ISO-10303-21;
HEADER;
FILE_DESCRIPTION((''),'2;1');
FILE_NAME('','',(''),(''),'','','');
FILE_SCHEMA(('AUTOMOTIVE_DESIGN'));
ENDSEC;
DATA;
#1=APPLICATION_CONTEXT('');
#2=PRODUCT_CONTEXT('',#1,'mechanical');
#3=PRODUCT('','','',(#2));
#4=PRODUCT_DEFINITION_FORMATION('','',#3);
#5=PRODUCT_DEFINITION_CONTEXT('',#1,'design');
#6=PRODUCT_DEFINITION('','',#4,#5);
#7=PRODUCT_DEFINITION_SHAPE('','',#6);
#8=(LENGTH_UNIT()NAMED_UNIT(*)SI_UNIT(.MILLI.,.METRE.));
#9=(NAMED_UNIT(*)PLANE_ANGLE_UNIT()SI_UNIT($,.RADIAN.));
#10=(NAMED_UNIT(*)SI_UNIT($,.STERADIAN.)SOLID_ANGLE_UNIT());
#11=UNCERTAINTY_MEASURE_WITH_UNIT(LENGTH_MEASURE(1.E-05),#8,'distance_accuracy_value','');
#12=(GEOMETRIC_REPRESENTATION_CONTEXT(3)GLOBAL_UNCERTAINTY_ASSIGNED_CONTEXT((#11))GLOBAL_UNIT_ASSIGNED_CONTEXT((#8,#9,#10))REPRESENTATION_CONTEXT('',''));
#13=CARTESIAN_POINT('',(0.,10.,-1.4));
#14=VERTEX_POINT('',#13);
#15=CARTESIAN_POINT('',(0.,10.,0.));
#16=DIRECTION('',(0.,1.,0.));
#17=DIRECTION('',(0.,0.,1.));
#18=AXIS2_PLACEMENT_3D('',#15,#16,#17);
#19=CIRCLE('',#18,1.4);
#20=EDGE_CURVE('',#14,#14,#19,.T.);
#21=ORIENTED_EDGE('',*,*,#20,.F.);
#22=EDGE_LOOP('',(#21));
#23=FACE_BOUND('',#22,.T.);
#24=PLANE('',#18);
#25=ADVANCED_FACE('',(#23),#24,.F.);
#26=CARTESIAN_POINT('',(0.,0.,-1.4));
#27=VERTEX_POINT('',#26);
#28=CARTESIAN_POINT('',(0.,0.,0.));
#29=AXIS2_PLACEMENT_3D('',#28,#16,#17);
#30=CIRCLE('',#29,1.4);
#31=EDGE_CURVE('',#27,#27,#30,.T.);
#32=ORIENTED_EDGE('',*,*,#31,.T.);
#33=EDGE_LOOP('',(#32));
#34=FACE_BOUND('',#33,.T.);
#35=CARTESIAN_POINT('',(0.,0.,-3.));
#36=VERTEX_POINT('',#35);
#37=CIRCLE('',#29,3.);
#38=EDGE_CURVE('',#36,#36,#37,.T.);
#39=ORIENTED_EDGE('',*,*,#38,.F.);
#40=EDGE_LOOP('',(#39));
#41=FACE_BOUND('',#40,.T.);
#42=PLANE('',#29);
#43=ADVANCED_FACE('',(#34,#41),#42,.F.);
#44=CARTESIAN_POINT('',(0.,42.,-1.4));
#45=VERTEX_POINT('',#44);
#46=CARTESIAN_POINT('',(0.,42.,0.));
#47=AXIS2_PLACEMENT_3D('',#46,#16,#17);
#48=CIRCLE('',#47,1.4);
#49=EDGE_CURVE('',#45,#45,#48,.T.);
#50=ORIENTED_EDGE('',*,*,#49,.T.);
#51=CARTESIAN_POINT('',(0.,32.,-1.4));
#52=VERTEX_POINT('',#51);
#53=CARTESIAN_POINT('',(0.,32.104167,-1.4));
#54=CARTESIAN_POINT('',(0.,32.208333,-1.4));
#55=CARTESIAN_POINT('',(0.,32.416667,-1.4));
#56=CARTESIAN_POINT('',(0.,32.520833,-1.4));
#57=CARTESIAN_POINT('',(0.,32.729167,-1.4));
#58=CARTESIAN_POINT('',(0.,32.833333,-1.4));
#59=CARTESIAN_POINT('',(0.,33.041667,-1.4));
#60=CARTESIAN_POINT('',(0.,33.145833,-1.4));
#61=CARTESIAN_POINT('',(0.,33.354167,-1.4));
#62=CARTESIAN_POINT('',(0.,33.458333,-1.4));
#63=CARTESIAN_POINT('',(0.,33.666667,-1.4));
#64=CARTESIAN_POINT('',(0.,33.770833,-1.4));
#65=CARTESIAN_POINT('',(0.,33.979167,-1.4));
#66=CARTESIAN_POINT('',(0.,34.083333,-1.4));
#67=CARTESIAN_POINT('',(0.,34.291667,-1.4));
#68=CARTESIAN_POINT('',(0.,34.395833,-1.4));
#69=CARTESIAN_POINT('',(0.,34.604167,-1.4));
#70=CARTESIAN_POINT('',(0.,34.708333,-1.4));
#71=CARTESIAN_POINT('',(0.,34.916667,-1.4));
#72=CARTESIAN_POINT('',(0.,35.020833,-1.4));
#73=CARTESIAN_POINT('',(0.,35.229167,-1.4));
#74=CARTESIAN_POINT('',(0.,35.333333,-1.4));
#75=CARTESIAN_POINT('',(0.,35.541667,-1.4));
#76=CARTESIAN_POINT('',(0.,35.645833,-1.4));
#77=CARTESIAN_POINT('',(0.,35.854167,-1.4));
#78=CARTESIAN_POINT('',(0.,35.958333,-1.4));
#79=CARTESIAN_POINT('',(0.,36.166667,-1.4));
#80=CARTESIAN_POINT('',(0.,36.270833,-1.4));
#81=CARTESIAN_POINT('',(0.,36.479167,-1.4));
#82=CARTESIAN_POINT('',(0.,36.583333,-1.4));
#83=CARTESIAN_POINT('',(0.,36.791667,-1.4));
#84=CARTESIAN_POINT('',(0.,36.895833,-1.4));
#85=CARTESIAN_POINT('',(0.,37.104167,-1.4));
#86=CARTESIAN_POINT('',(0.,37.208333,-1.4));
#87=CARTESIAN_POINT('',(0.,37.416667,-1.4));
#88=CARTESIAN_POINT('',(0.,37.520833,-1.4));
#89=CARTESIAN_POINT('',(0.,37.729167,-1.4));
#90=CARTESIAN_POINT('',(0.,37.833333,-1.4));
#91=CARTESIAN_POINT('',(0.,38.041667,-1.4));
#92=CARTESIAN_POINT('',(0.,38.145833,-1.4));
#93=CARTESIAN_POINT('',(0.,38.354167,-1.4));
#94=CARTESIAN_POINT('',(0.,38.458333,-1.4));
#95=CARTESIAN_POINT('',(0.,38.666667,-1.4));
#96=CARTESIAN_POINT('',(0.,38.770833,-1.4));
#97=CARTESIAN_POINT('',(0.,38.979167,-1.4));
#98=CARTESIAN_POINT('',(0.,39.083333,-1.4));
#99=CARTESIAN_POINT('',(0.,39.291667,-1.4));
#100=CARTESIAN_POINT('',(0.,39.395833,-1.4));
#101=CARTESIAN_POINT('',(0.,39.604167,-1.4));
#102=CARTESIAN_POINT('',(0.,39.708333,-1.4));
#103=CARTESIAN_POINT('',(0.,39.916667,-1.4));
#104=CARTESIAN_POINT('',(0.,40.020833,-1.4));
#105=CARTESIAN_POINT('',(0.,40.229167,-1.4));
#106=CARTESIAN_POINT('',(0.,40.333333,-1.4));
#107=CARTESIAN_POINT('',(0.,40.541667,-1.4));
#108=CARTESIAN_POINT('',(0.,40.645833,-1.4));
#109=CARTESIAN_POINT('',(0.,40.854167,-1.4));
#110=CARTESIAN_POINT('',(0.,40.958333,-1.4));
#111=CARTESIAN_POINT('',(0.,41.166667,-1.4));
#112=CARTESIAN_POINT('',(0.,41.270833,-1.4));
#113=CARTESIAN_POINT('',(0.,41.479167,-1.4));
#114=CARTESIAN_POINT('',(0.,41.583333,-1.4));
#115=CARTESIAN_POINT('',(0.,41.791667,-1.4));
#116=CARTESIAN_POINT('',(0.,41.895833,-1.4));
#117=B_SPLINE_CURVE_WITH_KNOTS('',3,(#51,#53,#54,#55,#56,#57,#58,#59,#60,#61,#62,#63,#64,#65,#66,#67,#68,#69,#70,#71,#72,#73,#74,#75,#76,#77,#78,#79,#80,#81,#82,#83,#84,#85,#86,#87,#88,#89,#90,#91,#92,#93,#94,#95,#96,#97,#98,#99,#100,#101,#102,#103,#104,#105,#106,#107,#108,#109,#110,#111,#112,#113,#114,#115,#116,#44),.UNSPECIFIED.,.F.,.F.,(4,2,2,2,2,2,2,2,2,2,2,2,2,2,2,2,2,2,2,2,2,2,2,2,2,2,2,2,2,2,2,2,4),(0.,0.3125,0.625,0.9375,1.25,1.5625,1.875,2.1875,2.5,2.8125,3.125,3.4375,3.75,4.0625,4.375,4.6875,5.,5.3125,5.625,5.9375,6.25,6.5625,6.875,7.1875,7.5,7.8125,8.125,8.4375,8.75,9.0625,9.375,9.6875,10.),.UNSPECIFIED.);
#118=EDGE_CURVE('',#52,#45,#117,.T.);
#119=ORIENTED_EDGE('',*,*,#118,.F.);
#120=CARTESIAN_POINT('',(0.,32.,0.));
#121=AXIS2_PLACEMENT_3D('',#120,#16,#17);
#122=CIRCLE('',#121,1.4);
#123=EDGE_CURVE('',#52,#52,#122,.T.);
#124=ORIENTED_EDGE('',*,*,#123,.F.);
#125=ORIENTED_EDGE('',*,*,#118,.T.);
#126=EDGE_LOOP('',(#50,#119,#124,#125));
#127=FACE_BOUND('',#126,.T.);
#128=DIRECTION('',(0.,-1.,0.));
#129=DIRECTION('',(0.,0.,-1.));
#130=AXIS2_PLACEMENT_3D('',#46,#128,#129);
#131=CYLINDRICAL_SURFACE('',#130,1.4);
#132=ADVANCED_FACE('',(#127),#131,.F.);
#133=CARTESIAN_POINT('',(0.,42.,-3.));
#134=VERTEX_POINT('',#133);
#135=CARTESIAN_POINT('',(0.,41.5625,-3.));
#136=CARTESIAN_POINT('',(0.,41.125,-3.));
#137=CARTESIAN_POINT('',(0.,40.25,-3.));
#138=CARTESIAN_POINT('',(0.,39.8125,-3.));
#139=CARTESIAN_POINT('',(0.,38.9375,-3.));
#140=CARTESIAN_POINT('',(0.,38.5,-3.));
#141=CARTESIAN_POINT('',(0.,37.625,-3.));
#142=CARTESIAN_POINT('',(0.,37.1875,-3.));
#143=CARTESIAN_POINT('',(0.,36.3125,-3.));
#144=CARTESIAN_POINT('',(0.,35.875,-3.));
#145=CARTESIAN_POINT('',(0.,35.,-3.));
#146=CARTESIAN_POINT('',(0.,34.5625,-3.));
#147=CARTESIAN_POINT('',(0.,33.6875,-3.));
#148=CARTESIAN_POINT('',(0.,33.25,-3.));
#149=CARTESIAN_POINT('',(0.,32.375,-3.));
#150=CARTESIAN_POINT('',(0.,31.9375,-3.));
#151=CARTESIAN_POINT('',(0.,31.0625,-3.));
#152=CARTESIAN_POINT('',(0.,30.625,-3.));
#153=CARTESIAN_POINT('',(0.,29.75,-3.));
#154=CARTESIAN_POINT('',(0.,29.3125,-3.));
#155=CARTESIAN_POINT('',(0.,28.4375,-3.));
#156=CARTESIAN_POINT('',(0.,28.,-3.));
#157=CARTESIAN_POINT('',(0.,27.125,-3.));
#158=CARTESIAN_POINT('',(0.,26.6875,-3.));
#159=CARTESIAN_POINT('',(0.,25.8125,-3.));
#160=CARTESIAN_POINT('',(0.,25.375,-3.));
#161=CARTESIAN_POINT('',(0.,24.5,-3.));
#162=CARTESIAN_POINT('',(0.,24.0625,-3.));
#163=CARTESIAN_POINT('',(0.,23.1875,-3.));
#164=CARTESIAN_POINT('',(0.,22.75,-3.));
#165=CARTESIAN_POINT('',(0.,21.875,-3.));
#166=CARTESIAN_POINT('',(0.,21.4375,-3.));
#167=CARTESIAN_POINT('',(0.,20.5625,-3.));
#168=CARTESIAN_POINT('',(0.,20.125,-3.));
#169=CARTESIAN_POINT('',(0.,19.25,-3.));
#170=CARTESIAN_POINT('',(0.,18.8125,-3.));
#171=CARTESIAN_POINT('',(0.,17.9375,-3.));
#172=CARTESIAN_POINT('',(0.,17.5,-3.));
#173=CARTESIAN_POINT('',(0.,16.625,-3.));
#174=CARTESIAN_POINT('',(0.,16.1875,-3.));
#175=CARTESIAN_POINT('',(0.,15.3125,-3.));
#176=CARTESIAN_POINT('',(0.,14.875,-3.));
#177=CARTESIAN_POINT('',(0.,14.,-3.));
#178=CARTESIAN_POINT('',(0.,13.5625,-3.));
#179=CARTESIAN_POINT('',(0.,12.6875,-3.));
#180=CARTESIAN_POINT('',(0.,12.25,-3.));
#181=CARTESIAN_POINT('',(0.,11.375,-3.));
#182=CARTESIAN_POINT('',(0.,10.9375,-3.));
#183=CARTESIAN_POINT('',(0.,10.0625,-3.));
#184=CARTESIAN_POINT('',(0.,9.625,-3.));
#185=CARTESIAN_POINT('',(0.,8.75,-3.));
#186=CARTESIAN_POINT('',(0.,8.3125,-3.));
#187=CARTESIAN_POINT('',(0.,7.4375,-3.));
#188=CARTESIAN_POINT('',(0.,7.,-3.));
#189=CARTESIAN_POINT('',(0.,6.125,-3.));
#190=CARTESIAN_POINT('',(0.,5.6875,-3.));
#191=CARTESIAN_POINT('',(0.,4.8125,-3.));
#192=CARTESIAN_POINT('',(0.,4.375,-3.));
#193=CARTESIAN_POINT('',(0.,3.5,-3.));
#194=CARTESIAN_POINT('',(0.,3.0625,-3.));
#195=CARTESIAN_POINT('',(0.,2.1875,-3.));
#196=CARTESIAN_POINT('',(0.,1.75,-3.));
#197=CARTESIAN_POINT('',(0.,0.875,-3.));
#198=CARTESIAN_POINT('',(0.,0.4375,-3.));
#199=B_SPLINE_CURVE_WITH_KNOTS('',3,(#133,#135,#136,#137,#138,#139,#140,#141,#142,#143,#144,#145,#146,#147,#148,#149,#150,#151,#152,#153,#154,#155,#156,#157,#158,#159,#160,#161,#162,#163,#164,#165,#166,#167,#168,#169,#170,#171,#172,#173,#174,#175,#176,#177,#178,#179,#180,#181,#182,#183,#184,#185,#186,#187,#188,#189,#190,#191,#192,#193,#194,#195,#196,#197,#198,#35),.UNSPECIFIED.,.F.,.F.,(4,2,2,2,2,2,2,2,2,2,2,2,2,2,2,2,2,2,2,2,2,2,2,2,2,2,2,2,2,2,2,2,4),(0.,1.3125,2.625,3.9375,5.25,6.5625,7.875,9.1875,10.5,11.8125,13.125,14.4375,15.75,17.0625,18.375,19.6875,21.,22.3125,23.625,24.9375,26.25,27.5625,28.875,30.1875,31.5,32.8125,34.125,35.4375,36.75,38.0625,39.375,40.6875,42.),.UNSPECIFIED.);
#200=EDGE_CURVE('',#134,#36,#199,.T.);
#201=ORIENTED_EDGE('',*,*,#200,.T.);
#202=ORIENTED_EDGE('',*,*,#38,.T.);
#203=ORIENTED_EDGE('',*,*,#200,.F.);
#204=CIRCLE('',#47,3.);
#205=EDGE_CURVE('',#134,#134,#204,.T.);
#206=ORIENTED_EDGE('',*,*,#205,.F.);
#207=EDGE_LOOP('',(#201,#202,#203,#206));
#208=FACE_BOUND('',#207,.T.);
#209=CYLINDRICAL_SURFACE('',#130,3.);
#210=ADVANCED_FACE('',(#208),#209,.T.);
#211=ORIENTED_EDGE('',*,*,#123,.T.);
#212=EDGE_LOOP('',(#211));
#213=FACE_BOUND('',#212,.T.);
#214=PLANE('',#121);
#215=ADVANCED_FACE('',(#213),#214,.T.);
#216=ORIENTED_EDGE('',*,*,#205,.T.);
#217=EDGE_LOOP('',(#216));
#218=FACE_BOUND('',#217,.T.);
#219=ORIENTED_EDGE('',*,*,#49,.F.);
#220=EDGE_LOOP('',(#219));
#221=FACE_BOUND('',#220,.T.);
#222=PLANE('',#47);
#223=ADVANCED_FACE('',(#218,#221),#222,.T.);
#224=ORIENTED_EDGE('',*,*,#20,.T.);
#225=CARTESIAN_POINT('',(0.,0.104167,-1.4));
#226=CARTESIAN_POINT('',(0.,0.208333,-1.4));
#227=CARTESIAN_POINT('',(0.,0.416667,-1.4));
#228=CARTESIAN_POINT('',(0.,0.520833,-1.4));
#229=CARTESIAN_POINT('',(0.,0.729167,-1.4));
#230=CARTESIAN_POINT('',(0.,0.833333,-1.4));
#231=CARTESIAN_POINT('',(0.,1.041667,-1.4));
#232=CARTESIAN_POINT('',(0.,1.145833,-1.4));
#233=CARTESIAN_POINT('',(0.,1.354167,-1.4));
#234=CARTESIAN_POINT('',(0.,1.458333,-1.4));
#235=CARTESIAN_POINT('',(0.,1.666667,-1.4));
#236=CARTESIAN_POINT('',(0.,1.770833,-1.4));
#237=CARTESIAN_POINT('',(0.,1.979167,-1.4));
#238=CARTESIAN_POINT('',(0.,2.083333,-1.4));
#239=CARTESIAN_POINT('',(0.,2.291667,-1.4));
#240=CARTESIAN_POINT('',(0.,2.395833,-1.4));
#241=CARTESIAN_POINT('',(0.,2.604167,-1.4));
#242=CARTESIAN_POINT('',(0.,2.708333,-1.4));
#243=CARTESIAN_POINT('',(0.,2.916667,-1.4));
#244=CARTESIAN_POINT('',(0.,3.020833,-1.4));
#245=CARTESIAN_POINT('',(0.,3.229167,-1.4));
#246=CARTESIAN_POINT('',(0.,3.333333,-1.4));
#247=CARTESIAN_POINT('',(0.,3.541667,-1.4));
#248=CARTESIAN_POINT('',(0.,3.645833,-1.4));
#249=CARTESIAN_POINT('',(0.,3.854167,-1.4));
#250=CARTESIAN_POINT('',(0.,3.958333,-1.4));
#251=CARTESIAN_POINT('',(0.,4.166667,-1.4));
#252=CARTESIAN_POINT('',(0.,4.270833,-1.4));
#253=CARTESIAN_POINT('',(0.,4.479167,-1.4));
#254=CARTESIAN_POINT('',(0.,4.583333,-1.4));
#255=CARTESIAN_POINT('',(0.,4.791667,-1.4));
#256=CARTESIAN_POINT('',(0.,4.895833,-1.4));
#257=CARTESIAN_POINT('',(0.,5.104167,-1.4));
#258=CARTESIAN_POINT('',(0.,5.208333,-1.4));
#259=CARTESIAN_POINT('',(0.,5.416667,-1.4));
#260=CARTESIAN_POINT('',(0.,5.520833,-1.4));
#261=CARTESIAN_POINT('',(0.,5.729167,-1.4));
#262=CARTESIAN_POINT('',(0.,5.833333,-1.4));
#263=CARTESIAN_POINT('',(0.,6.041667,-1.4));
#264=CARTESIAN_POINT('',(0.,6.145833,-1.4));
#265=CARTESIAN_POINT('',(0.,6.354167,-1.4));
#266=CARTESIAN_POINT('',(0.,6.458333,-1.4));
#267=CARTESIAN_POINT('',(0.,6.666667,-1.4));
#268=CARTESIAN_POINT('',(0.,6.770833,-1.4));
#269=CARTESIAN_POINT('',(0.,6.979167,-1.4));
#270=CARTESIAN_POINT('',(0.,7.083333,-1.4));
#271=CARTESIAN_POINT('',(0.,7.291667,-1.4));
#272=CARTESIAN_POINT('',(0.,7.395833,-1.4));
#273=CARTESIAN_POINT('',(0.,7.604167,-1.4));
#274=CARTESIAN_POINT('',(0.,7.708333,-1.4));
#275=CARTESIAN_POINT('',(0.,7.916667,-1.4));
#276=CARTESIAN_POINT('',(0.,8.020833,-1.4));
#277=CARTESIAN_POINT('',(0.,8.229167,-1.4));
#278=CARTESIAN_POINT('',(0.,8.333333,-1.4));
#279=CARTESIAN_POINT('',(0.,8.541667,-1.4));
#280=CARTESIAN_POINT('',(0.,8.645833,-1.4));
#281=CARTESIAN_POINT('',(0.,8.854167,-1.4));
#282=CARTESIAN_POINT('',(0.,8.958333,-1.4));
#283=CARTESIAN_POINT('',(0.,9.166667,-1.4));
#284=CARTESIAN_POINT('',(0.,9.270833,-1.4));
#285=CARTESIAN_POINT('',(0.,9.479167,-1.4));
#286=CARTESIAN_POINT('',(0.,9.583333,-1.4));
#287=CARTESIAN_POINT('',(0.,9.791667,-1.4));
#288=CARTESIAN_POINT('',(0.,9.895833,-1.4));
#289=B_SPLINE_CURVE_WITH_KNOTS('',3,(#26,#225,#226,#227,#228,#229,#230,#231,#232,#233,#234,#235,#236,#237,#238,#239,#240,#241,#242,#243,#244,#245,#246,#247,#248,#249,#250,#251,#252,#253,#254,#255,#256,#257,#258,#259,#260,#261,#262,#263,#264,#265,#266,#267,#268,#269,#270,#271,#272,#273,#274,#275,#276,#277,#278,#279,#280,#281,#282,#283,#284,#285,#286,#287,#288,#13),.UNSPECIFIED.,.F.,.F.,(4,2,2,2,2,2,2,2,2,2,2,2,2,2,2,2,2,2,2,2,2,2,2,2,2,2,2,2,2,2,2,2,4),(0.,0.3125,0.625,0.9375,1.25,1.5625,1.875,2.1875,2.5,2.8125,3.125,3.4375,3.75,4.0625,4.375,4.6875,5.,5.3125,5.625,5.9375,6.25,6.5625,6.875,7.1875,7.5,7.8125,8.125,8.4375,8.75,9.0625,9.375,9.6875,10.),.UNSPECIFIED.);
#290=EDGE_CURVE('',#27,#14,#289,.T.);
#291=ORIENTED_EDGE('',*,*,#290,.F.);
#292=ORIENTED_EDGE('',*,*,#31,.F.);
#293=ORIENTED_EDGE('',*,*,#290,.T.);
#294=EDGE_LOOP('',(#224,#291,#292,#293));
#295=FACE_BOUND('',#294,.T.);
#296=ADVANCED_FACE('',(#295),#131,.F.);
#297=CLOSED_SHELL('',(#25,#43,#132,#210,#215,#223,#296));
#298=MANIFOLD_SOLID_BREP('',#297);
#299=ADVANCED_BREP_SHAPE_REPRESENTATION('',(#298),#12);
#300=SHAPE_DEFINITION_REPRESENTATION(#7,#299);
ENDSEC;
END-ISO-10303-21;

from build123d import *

# Parameters (mm, degrees)
SKETCH1_R           = 3
SKETCH1_R_2         = 1.4
BOSS_EXTRUDE1_DEPTH = 42
BOSS_EXTRUDE2_START = 10
SKETCH1_3_R         = 1.4
BOSS_EXTRUDE2_DEPTH = 22


with BuildPart() as part:
    # Sketch1 → Boss-Extrude1 (new body)
    with BuildSketch(Plane(origin=(0, 0, 0), x_dir=(1, 0, 0), z_dir=(0, 1, 0))):
        Circle(SKETCH1_R)
        Circle(SKETCH1_R_2, mode=Mode.SUBTRACT)
    extrude(amount=BOSS_EXTRUDE1_DEPTH)

    # Sketch1<3> → Boss-Extrude2 (add)
    with BuildSketch(Plane(origin=(0, 0, 0), x_dir=(1, 0, 0), z_dir=(0, 1, 0)).offset(BOSS_EXTRUDE2_START)):
        Circle(SKETCH1_3_R)
    extrude(amount=BOSS_EXTRUDE2_DEPTH)


solid = part.part
